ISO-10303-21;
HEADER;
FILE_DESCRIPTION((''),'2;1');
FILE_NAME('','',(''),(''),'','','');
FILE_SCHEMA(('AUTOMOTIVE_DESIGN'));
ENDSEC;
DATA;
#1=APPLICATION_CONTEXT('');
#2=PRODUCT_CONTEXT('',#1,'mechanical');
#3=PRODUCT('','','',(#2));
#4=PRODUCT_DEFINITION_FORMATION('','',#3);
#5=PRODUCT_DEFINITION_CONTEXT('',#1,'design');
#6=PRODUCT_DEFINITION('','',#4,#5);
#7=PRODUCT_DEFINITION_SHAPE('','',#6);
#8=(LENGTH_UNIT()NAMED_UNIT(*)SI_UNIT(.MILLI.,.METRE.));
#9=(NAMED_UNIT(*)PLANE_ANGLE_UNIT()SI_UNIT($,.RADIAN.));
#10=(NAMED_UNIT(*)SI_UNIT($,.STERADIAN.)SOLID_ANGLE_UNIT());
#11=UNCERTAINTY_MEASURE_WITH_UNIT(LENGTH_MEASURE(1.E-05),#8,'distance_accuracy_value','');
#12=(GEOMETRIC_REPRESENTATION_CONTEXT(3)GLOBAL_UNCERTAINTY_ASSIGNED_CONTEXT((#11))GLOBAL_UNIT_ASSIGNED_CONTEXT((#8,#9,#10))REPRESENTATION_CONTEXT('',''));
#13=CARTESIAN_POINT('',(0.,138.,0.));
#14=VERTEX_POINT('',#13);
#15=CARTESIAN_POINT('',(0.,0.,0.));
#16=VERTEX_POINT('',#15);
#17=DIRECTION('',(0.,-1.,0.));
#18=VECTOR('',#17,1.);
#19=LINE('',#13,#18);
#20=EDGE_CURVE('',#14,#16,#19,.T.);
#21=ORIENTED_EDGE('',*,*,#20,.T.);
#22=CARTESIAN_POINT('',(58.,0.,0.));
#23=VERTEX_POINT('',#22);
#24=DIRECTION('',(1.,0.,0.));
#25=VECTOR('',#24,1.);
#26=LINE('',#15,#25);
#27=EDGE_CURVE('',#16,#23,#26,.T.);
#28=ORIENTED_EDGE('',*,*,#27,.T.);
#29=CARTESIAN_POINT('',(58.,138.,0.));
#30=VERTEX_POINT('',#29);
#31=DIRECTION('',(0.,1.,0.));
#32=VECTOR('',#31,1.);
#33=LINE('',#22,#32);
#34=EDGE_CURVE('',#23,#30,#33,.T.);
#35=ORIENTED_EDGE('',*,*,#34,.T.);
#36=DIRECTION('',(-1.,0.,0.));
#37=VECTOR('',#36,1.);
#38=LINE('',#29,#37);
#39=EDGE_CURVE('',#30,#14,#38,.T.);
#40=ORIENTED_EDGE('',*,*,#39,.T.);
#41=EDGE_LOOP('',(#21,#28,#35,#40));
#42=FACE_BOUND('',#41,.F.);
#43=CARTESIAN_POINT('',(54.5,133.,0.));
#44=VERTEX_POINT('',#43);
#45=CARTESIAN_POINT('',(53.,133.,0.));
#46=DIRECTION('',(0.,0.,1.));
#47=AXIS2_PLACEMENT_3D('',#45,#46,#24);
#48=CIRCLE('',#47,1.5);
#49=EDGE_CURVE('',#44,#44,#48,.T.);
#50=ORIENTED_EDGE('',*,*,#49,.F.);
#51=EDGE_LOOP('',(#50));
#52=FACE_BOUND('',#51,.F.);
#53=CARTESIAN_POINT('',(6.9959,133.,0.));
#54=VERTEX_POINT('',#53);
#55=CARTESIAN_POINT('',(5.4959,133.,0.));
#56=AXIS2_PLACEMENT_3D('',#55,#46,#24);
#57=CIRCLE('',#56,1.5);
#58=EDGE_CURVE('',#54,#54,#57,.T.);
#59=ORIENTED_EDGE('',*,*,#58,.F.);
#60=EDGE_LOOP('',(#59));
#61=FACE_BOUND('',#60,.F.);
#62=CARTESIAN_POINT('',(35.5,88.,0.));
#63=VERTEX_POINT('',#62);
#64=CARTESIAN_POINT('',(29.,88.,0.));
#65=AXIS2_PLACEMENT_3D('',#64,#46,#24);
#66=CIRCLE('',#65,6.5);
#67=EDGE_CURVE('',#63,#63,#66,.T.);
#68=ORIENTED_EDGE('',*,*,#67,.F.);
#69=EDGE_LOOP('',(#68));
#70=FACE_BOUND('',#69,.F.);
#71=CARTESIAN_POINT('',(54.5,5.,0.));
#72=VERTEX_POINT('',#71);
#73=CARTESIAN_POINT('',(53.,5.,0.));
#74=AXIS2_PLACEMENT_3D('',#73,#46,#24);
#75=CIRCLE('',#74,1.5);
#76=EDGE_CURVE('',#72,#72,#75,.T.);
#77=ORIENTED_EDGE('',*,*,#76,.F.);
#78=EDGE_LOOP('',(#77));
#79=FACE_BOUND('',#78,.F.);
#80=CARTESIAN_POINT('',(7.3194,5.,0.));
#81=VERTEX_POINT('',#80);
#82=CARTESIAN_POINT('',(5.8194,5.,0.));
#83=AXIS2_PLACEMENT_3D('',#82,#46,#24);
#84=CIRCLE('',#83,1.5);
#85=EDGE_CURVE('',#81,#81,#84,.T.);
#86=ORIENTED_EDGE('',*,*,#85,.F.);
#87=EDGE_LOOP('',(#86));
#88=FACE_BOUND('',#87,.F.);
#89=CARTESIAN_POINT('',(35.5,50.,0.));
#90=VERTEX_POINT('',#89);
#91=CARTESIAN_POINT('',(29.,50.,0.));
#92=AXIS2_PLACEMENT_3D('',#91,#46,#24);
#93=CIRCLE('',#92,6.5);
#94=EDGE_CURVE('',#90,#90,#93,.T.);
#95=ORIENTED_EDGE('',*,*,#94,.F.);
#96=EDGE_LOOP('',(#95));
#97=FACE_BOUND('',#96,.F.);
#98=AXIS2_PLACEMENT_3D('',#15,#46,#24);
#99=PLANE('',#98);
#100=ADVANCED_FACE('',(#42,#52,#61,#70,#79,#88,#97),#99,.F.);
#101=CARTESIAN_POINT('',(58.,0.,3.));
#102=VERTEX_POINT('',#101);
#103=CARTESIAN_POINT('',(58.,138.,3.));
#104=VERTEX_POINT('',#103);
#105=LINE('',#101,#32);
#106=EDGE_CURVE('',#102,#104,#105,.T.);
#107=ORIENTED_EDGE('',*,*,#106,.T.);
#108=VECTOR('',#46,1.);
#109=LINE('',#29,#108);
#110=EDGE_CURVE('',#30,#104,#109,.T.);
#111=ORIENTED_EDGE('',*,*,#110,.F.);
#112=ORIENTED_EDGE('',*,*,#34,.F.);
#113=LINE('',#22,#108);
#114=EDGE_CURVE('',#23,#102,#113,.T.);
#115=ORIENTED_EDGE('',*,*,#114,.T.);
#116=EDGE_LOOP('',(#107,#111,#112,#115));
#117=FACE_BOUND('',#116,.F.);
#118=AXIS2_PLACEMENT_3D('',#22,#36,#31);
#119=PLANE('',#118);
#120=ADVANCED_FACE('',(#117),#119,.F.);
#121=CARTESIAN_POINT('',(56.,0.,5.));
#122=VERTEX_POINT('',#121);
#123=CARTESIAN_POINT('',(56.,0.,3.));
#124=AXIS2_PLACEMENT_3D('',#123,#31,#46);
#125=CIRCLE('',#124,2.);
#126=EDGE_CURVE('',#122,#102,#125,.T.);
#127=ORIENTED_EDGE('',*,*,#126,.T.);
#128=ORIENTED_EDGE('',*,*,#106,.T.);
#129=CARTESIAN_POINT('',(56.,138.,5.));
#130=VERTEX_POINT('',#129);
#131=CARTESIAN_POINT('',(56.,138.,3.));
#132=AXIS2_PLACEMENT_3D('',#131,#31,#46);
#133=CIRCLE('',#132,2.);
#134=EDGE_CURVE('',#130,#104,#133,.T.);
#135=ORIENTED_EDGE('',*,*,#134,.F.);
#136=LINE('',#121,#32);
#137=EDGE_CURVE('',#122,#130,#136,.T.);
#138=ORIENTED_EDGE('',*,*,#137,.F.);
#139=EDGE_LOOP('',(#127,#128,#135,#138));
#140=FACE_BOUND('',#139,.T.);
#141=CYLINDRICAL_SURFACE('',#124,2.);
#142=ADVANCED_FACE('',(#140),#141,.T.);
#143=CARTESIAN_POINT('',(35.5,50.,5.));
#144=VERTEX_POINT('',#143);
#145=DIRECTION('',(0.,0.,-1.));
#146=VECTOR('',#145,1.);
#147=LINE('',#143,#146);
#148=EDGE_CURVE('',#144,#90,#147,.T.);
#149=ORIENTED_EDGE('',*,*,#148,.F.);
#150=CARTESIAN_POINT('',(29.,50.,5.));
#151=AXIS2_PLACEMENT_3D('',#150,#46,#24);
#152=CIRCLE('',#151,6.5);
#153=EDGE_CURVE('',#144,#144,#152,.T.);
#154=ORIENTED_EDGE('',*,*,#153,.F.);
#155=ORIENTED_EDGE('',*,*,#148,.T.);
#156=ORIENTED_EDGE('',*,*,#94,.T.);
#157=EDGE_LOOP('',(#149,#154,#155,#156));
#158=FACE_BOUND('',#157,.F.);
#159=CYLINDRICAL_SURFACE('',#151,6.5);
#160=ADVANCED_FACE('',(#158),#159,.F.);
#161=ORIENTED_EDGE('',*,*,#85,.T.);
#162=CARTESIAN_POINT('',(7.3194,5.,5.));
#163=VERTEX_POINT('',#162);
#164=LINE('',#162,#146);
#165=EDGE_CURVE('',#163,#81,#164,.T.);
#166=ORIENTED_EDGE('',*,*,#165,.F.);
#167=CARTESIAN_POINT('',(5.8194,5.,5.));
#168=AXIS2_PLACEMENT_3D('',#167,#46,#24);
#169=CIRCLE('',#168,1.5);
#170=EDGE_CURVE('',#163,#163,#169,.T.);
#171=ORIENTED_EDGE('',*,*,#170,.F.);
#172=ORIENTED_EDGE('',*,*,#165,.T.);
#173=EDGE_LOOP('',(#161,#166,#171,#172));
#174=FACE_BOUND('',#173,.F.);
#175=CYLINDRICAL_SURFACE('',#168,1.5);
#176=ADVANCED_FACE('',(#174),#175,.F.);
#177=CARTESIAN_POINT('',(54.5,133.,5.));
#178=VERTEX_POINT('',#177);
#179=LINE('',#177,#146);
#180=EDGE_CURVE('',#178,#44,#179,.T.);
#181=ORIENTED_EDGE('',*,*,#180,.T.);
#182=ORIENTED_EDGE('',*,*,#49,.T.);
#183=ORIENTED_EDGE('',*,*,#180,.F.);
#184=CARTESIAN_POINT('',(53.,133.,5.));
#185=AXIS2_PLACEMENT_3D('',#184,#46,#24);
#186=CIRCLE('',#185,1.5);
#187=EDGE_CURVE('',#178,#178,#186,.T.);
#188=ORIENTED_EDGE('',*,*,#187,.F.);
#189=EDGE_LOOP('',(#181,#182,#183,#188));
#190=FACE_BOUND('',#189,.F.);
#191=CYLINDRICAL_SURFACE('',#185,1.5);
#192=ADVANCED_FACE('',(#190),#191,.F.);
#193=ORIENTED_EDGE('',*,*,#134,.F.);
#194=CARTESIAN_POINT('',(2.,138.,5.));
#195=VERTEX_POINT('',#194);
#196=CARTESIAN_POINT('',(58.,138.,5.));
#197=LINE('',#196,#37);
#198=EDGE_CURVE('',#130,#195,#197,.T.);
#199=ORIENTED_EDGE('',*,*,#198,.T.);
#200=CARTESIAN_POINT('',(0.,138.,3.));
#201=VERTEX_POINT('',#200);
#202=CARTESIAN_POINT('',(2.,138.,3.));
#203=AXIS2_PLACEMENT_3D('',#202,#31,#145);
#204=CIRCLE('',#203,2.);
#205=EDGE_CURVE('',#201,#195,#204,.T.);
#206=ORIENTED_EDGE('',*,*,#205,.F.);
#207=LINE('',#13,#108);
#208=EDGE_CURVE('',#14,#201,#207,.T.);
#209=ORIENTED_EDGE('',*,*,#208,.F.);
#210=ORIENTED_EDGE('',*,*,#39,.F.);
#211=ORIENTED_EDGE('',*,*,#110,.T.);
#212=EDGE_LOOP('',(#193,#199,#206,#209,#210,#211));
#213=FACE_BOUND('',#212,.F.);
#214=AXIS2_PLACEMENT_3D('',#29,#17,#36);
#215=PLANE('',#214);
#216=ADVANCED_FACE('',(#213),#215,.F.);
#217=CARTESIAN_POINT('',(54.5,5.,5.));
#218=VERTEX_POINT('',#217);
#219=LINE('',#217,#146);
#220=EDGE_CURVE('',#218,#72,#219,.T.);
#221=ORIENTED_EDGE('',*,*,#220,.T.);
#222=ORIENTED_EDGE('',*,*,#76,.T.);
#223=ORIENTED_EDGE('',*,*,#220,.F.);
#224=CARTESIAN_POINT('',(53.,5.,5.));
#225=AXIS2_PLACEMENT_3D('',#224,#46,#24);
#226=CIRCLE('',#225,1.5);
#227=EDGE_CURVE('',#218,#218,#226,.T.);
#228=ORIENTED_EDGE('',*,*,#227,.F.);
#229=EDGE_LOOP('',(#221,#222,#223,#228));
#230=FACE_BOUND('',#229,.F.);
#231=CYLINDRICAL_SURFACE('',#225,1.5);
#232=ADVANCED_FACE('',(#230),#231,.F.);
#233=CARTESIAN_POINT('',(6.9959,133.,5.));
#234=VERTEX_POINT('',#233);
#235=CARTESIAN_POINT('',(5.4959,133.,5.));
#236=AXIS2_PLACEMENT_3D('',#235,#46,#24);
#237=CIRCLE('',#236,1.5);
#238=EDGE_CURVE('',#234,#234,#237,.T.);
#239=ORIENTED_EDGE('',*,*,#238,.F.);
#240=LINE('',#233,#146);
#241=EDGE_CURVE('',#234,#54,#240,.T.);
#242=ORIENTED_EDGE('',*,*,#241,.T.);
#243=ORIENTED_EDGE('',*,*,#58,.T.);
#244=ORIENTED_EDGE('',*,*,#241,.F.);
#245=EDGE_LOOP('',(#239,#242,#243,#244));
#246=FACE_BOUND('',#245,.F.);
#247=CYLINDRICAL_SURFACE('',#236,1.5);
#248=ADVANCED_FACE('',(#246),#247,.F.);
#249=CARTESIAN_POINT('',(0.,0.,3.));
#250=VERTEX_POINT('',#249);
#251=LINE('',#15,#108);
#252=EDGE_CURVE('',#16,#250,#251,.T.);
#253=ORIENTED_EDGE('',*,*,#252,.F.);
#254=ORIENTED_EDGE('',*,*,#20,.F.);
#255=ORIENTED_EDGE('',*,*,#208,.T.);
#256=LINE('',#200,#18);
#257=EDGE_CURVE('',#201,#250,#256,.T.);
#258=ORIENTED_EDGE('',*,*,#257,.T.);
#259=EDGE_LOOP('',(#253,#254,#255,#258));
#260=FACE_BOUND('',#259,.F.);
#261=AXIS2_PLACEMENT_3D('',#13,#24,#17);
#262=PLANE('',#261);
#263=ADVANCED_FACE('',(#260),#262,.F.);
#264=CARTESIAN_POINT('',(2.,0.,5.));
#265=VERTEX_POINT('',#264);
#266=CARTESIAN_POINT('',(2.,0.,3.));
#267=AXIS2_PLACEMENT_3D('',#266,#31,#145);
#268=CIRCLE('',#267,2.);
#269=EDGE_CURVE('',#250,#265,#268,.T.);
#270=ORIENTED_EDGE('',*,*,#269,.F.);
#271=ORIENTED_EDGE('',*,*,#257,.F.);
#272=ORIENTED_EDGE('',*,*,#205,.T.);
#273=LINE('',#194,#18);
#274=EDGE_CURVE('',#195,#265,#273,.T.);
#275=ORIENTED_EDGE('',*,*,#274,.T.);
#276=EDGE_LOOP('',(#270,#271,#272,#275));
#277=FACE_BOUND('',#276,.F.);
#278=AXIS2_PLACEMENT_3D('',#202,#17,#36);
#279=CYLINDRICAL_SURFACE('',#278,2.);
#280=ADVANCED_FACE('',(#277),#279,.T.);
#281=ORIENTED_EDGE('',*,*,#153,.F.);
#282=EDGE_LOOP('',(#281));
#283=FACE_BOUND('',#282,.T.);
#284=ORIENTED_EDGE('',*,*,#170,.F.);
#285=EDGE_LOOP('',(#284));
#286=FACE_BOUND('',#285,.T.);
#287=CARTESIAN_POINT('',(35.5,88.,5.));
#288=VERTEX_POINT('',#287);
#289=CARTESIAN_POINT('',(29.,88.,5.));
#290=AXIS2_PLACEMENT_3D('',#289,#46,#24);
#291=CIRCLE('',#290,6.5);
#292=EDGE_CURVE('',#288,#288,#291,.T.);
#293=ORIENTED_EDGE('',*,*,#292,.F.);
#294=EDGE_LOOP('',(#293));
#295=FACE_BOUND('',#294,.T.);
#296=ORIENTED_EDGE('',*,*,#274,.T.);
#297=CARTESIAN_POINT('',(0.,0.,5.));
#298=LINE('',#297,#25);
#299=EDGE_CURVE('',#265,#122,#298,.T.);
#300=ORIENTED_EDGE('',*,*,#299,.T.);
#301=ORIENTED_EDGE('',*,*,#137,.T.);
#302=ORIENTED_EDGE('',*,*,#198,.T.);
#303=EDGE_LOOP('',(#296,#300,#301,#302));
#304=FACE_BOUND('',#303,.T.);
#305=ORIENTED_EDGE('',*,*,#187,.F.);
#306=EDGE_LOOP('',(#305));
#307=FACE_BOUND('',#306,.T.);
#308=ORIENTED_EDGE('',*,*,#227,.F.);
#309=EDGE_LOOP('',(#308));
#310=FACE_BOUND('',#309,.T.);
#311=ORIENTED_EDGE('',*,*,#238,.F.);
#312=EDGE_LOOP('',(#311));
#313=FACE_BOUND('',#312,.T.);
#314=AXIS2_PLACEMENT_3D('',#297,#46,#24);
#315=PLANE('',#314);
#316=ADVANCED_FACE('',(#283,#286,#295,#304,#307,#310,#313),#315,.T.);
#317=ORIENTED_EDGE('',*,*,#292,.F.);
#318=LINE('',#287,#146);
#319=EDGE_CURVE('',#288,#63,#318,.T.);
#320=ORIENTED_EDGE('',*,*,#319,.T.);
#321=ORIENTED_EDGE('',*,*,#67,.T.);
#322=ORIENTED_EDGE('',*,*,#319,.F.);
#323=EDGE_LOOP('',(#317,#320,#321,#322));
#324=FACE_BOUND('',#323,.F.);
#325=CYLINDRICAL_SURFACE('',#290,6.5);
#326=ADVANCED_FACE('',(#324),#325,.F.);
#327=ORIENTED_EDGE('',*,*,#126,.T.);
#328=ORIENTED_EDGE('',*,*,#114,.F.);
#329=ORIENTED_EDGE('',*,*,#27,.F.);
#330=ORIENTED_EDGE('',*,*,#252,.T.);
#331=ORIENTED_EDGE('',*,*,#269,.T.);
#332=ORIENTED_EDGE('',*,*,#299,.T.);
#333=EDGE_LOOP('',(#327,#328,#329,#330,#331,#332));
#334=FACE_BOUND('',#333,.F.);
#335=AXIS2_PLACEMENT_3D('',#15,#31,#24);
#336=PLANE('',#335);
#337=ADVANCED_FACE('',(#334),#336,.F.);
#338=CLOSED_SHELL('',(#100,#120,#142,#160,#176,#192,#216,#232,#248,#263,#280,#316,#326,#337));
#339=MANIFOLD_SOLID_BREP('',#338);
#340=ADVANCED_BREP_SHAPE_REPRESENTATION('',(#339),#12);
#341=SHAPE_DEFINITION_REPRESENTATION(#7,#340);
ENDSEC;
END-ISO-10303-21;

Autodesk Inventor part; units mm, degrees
ref_plane "YZ Plane" through (0, 0, 0) normal (1, 0, 0) x (0, 1, 0)
ref_plane "XZ Plane" through (0, 0, 0) normal (0, 1, 0) x (-1, 0, 0)
ref_plane "XY Plane" through (0, 0, 0) normal (0, 0, 1) x (1, 0, 0)
sketch "Sketch1" plane through (0, 0, 0) normal (0, 0, 1) x (1, 0, 0)
  line L0 (0, 0) -> (58, 0)
  line L1 (58, 0) -> (58, 138)
  line L2 (58, 138) -> (0, 138)
  line L3 (0, 138) -> (0, 0)
  dimension "d0" = 58
  dimension "d1" = 138
extrude "Extrusion1" add sketch "Sketch1" along normal blind 5
sketch "Sketch2" plane through (0, 0, 5) normal (0, 0, 1) x (1, 0, 0)
  circle A0 centre (53, 5) radius 1.5
  circle A1 centre (5.8194, 5) radius 1.5
  line L0 (58, 138) -> (0, 138) projected
  line L1 (0, 138) -> (0, 0) projected
  circle A2 centre (5.4959, 133) radius 1.5
  line L2 (58, 0) -> (58, 138) projected
  circle A3 centre (53, 133) radius 1.5
  dimension "d6" = 3
  dimension "d8" = 3
  dimension "d10" = 3
  dimension "d13" = 3
extrude "Extrusion2" cut sketch "Sketch2" against normal through all
fillet "Fillet1" radius 2 2 edges at (58, 69, 5) (0, 69, 5)
sketch "Sketch3" plane through (0, 0, 5) normal (0, 0, 1) x (1, 0, 0)
  line L0 (56, 138) -> (2, 138) projected
  circle A0 centre (29, 88) radius 6.5
  line L1 (0, 0) -> (58, 0) projected
  circle A1 centre (29, 50) radius 6.5
  dimension "d18" = 13
  dimension "d20" = 13
extrude "Extrusion3" cut sketch "Sketch3" against normal through all
properties part number "ICE CREAM COVER"
